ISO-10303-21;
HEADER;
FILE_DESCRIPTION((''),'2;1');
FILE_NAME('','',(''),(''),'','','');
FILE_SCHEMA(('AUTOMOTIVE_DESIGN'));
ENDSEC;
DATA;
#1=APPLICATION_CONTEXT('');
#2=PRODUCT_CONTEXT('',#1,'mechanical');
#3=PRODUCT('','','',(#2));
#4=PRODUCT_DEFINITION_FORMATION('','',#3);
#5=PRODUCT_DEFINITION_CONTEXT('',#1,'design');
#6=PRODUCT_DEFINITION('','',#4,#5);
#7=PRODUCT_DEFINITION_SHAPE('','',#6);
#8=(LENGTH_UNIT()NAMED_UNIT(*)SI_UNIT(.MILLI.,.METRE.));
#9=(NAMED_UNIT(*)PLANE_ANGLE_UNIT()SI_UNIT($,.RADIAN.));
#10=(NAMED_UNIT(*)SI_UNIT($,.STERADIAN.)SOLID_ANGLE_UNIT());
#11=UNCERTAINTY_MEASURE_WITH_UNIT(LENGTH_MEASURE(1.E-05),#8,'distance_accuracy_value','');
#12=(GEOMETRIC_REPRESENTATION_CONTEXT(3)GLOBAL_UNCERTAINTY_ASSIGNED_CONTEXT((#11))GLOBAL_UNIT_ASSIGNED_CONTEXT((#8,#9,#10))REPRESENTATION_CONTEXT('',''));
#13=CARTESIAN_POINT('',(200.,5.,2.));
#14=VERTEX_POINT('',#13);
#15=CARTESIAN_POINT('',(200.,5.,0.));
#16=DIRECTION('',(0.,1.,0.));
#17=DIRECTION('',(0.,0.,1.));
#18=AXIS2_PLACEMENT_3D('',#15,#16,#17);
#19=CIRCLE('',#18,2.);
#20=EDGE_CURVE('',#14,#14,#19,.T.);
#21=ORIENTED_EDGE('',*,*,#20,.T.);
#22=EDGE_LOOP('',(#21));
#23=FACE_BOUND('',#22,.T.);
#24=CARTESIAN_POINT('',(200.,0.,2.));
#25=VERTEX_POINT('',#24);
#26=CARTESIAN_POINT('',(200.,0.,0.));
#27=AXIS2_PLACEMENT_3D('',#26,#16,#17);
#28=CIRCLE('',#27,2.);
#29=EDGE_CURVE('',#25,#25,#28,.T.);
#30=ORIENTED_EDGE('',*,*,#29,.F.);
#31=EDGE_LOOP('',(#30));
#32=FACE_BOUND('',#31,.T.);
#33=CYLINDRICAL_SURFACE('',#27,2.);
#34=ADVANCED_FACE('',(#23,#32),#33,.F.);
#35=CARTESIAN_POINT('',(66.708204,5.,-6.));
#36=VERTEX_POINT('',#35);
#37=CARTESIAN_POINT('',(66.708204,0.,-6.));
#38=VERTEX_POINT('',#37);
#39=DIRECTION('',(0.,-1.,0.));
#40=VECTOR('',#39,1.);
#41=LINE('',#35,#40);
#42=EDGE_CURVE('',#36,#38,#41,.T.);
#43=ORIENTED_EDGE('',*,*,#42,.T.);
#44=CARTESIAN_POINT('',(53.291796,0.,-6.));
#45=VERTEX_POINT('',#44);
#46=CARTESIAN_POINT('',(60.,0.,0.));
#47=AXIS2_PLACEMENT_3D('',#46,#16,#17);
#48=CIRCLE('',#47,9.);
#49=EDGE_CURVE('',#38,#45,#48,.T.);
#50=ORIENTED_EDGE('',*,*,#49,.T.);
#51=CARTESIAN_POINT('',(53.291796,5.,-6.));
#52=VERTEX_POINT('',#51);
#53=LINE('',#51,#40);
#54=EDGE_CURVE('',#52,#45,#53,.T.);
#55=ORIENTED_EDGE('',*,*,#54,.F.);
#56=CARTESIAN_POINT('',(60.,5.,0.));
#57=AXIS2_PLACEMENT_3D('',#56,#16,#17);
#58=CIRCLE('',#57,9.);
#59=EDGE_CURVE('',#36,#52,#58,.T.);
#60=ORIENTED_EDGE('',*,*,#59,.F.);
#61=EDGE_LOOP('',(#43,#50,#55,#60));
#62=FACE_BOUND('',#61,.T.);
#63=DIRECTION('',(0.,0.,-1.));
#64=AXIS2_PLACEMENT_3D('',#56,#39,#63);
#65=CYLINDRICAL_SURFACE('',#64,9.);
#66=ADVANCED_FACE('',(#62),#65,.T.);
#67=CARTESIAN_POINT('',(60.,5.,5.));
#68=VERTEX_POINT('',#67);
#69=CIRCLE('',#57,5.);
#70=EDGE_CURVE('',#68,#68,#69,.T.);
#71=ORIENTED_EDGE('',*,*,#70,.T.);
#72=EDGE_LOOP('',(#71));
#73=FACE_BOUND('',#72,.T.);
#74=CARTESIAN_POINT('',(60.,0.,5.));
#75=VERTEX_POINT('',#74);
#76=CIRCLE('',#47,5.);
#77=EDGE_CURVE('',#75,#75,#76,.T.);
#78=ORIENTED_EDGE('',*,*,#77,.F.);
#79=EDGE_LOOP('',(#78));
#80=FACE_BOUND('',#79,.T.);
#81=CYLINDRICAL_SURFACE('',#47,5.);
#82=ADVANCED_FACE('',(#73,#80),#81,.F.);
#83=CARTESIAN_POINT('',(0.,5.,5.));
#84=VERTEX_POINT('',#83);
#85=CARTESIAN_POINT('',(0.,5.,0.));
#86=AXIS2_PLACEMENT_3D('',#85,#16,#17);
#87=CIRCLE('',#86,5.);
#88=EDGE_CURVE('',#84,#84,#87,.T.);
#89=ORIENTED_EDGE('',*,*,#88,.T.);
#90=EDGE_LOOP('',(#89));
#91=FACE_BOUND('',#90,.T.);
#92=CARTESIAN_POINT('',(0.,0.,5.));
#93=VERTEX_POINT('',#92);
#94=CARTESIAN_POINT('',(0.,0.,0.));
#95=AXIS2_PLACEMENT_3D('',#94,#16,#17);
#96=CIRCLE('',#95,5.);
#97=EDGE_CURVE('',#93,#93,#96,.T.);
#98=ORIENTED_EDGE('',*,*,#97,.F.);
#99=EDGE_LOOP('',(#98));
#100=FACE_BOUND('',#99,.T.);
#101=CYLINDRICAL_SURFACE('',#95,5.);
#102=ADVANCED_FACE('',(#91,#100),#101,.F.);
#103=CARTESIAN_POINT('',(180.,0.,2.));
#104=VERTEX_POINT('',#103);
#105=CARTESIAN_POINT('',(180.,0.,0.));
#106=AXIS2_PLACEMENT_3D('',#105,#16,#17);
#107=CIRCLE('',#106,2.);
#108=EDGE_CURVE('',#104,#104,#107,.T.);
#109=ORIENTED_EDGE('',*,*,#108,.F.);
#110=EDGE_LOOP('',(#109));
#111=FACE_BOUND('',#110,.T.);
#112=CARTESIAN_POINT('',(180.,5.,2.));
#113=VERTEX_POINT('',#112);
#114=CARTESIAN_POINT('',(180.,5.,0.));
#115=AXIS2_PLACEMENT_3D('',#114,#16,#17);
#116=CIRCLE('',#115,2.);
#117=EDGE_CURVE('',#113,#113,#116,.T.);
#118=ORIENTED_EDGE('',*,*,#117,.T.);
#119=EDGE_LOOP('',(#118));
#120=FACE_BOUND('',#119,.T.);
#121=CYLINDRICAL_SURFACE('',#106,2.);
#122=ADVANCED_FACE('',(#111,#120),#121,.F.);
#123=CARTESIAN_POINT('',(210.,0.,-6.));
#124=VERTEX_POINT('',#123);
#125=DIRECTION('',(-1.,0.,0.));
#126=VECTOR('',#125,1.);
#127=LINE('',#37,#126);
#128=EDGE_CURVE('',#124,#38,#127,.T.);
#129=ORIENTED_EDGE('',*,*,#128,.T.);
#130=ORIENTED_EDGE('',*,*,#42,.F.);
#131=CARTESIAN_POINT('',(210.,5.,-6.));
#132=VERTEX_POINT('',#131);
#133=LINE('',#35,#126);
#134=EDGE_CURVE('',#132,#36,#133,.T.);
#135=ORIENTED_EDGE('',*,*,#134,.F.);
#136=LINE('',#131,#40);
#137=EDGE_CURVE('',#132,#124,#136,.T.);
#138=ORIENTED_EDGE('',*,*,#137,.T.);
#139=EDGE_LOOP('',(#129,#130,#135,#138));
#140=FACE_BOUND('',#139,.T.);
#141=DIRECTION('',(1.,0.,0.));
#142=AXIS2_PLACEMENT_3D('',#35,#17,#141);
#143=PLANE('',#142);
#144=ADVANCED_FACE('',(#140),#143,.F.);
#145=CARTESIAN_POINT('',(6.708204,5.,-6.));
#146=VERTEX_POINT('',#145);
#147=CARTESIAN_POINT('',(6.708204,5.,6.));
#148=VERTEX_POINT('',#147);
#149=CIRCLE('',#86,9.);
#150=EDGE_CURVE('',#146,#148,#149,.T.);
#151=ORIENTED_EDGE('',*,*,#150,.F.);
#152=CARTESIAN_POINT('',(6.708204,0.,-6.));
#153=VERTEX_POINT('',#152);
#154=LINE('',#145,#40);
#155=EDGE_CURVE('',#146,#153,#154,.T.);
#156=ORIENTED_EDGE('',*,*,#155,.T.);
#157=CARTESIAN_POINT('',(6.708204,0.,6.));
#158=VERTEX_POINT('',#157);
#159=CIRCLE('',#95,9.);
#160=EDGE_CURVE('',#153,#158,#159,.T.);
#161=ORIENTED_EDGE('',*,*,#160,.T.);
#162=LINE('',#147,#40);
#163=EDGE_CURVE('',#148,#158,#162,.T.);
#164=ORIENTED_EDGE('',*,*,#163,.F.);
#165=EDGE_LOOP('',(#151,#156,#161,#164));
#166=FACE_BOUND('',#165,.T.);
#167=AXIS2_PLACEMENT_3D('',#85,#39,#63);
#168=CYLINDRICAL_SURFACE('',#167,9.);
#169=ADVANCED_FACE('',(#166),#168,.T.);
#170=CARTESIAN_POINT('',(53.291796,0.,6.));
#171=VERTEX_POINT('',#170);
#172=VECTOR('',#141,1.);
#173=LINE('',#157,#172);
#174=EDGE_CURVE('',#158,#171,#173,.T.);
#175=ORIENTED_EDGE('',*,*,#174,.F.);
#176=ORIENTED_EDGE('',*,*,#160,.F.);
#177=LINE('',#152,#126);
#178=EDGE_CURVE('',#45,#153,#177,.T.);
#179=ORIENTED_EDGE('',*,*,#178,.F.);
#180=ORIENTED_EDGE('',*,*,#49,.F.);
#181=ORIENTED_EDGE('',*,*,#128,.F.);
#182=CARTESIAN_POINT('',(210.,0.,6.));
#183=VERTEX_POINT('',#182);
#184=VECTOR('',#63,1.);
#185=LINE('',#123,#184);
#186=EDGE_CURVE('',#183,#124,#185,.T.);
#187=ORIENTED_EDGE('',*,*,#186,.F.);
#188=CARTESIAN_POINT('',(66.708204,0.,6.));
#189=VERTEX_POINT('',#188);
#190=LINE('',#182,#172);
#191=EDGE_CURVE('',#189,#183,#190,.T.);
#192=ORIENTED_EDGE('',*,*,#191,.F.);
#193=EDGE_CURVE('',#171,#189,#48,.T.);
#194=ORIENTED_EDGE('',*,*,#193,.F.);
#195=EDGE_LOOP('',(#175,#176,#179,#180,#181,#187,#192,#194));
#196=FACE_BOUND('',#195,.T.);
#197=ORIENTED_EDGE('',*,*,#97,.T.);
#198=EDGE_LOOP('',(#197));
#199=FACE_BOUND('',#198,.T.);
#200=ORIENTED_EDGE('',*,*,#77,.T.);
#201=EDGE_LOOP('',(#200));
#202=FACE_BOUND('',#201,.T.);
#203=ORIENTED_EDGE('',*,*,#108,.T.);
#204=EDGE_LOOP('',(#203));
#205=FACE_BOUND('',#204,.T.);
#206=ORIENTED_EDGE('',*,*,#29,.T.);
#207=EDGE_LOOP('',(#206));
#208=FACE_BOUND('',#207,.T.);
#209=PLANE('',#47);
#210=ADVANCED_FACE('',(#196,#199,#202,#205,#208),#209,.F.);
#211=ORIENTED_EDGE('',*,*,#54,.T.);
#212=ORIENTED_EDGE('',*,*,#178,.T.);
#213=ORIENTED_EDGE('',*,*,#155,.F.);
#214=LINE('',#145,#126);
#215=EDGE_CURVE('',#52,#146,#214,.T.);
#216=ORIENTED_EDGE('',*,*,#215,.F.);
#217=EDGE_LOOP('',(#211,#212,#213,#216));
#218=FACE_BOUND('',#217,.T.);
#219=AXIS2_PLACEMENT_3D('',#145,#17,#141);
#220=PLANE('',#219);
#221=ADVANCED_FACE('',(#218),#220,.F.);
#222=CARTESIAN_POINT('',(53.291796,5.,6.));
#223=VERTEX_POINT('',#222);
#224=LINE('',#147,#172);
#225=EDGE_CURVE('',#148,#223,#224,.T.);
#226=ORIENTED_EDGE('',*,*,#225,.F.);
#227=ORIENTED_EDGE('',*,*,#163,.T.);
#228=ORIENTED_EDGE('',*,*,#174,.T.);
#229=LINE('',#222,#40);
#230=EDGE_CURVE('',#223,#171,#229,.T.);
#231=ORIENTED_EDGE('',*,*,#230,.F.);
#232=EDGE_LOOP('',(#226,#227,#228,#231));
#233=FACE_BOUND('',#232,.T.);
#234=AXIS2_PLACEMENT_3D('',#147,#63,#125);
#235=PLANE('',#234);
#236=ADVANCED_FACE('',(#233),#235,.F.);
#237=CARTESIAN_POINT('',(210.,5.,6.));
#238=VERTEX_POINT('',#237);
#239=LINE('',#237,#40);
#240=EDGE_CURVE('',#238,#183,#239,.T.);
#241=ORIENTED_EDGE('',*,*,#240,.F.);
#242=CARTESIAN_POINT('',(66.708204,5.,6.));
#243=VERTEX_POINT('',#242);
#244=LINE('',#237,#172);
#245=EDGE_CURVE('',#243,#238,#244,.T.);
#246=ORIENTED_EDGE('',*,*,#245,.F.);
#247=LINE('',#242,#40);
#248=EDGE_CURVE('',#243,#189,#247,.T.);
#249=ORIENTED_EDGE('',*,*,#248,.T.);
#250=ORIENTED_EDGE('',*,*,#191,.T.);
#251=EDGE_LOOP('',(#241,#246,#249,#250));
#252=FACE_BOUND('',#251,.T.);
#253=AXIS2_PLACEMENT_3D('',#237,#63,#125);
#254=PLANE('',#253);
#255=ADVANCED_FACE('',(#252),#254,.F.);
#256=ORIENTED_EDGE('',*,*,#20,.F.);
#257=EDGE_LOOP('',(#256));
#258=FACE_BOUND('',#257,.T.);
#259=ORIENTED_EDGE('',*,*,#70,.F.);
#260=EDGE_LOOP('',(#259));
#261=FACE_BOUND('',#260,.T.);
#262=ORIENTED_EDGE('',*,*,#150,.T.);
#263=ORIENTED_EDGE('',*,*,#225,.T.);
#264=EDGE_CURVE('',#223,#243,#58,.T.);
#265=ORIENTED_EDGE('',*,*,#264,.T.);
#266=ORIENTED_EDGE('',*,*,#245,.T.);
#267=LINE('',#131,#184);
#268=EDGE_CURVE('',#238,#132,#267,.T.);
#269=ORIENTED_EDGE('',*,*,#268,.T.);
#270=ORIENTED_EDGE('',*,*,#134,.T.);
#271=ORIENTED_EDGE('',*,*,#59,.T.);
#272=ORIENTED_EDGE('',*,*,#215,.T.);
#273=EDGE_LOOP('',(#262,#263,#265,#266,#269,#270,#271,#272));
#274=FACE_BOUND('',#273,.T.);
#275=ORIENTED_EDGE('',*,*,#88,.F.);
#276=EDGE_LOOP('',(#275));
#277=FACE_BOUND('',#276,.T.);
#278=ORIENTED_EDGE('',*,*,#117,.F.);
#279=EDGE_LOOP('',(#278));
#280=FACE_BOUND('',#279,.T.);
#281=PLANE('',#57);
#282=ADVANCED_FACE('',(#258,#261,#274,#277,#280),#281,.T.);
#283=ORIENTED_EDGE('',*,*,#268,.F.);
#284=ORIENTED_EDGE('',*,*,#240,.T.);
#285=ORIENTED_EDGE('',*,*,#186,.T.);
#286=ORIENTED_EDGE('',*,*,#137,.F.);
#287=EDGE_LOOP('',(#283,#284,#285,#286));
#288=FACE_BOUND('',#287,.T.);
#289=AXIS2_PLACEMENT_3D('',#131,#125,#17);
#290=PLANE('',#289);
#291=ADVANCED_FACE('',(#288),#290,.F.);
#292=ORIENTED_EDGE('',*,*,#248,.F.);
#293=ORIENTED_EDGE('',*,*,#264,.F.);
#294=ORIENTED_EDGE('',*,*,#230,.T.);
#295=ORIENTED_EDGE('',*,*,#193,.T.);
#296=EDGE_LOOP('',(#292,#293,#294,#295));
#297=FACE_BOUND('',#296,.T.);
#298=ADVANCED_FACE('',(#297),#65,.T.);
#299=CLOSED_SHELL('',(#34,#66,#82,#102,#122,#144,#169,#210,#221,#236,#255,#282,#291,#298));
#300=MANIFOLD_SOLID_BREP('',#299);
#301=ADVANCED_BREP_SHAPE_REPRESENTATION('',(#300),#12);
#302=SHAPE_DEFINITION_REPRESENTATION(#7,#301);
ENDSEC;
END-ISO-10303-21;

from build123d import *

# Parameters (mm, degrees)
BOSS_EXTRUDE1_DEPTH = 5
SKETCH2_R           = 5
SKETCH2_R_2         = 2
CUT_EXTRUDE1_DEPTH  = 211.252229477


with BuildPart() as part:
    # Sketch1 → Boss-Extrude1 (new body)
    with BuildSketch(Plane(origin=(0, 0, 0), x_dir=(1, 0, 0), z_dir=(0, 1, 0))):
        with BuildLine():
            Line((6.708203932, 6), (53.291796068, 6))
            ThreePointArc((53.291796068, 6), (60, 9), (66.708203932, 6))
            Line((66.708203932, 6), (210, 6))
            Line((210, 6), (210, -6))
            Line((210, -6), (66.708203932, -6))
            ThreePointArc((66.708203932, -6), (60, -9), (53.291796068, -6))
            Line((53.291796068, -6), (6.708203932, -6))
            ThreePointArc((6.708203932, -6), (-9, 0), (6.708203932, 6))
        make_face()
    extrude(amount=BOSS_EXTRUDE1_DEPTH)

    # Sketch2 → Cut-Extrude1 (cut, through all)
    with BuildSketch(Plane(origin=(0, 5, 0), x_dir=(1, 0, 0), z_dir=(0, 1, 0))):
        with Locations(Location((0, 0, 0), (0, 0, 270))):
            Circle(SKETCH2_R)
        with Locations(Location((60, 0, 0), (0, 0, 270))):
            Circle(SKETCH2_R)
        with Locations(Location((200, 0, 0), (0, 0, 270))):
            Circle(SKETCH2_R_2)
        with Locations(Location((180, 0, 0), (0, 0, 270))):
            Circle(SKETCH2_R_2)
    extrude(amount=-CUT_EXTRUDE1_DEPTH, mode=Mode.SUBTRACT)


solid = part.part
